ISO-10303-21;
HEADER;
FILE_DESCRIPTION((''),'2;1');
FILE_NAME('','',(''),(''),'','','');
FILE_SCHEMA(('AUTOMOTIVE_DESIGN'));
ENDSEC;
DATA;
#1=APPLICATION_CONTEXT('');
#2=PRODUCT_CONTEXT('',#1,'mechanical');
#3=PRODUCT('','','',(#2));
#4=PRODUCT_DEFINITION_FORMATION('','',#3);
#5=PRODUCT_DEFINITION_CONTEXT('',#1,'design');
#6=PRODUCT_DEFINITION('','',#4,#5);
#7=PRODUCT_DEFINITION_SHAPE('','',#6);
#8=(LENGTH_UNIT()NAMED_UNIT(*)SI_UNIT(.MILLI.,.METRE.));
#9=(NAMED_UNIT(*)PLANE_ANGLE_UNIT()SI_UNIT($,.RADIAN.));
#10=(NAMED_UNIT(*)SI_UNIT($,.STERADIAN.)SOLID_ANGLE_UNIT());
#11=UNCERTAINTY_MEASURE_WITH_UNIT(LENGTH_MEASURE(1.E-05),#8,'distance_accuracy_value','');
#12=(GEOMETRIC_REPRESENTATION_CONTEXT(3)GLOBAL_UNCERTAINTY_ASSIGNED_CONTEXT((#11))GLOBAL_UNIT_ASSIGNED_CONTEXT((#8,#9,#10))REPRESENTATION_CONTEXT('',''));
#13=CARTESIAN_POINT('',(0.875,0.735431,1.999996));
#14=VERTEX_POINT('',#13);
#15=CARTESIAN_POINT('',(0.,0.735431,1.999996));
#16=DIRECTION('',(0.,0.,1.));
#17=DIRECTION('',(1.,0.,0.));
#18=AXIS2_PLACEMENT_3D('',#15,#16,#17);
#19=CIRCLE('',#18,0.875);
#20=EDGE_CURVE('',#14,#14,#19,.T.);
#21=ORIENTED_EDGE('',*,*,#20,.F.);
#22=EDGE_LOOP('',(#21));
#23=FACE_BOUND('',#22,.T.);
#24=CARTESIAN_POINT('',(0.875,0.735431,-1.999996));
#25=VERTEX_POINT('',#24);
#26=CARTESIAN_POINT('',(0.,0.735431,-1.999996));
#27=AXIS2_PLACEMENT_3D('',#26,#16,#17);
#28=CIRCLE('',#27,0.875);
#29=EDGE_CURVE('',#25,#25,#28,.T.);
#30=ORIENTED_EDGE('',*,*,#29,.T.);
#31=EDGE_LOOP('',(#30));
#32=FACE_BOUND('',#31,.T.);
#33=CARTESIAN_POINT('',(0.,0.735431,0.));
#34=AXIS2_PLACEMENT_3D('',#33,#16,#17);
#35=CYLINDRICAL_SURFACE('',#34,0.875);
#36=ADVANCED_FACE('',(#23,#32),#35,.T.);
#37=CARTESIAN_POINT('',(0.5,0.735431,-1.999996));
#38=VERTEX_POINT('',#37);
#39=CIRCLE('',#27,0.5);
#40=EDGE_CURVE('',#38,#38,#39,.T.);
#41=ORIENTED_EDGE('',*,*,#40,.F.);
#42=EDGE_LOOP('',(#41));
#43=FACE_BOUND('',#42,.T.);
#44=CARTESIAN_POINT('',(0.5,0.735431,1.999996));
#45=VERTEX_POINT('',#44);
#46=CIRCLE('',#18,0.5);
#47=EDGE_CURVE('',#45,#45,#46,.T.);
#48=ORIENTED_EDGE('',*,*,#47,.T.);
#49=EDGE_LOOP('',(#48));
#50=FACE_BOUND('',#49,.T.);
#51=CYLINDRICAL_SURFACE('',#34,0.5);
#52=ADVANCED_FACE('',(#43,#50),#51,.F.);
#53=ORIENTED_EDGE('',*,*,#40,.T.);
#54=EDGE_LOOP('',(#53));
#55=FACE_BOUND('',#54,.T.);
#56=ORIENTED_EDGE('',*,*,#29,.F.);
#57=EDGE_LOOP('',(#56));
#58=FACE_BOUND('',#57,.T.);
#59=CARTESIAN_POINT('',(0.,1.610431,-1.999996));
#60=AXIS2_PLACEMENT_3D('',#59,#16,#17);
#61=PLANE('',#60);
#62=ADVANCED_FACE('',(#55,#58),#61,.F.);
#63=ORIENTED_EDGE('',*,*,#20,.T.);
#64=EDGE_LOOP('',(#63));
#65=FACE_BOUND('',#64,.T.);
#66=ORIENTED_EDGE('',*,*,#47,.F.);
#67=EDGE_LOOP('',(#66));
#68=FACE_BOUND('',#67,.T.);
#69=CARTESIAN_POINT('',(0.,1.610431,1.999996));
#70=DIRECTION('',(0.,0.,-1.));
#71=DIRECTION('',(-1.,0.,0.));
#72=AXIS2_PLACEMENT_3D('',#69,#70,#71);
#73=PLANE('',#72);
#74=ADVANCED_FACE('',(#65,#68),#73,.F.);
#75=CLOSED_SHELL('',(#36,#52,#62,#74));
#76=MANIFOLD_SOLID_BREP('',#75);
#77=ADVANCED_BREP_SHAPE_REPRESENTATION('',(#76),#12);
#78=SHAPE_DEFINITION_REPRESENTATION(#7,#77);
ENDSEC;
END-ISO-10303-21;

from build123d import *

# Parameters (mm, degrees)
SKETCH1_W = 3.999992
SKETCH1_H = 0.375


with BuildPart() as part:
    # Sketch1 → Revolve1 (revolve)
    with BuildSketch(Plane(origin=(0, 0, 0), x_dir=(0, 0, -1), z_dir=(1, 0, 0)), mode=Mode.PRIVATE) as revolve1_sk:
        with Locations((0, 1.422931235)):
            Rectangle(SKETCH1_W, SKETCH1_H)
    revolve(revolve1_sk.sketch.rotate(Axis((0, 0.735431235, 0), (0, 0, -1)), 90), axis=Axis((0, 0.735431235, 0), (0, 0, -1)))


solid = part.part
